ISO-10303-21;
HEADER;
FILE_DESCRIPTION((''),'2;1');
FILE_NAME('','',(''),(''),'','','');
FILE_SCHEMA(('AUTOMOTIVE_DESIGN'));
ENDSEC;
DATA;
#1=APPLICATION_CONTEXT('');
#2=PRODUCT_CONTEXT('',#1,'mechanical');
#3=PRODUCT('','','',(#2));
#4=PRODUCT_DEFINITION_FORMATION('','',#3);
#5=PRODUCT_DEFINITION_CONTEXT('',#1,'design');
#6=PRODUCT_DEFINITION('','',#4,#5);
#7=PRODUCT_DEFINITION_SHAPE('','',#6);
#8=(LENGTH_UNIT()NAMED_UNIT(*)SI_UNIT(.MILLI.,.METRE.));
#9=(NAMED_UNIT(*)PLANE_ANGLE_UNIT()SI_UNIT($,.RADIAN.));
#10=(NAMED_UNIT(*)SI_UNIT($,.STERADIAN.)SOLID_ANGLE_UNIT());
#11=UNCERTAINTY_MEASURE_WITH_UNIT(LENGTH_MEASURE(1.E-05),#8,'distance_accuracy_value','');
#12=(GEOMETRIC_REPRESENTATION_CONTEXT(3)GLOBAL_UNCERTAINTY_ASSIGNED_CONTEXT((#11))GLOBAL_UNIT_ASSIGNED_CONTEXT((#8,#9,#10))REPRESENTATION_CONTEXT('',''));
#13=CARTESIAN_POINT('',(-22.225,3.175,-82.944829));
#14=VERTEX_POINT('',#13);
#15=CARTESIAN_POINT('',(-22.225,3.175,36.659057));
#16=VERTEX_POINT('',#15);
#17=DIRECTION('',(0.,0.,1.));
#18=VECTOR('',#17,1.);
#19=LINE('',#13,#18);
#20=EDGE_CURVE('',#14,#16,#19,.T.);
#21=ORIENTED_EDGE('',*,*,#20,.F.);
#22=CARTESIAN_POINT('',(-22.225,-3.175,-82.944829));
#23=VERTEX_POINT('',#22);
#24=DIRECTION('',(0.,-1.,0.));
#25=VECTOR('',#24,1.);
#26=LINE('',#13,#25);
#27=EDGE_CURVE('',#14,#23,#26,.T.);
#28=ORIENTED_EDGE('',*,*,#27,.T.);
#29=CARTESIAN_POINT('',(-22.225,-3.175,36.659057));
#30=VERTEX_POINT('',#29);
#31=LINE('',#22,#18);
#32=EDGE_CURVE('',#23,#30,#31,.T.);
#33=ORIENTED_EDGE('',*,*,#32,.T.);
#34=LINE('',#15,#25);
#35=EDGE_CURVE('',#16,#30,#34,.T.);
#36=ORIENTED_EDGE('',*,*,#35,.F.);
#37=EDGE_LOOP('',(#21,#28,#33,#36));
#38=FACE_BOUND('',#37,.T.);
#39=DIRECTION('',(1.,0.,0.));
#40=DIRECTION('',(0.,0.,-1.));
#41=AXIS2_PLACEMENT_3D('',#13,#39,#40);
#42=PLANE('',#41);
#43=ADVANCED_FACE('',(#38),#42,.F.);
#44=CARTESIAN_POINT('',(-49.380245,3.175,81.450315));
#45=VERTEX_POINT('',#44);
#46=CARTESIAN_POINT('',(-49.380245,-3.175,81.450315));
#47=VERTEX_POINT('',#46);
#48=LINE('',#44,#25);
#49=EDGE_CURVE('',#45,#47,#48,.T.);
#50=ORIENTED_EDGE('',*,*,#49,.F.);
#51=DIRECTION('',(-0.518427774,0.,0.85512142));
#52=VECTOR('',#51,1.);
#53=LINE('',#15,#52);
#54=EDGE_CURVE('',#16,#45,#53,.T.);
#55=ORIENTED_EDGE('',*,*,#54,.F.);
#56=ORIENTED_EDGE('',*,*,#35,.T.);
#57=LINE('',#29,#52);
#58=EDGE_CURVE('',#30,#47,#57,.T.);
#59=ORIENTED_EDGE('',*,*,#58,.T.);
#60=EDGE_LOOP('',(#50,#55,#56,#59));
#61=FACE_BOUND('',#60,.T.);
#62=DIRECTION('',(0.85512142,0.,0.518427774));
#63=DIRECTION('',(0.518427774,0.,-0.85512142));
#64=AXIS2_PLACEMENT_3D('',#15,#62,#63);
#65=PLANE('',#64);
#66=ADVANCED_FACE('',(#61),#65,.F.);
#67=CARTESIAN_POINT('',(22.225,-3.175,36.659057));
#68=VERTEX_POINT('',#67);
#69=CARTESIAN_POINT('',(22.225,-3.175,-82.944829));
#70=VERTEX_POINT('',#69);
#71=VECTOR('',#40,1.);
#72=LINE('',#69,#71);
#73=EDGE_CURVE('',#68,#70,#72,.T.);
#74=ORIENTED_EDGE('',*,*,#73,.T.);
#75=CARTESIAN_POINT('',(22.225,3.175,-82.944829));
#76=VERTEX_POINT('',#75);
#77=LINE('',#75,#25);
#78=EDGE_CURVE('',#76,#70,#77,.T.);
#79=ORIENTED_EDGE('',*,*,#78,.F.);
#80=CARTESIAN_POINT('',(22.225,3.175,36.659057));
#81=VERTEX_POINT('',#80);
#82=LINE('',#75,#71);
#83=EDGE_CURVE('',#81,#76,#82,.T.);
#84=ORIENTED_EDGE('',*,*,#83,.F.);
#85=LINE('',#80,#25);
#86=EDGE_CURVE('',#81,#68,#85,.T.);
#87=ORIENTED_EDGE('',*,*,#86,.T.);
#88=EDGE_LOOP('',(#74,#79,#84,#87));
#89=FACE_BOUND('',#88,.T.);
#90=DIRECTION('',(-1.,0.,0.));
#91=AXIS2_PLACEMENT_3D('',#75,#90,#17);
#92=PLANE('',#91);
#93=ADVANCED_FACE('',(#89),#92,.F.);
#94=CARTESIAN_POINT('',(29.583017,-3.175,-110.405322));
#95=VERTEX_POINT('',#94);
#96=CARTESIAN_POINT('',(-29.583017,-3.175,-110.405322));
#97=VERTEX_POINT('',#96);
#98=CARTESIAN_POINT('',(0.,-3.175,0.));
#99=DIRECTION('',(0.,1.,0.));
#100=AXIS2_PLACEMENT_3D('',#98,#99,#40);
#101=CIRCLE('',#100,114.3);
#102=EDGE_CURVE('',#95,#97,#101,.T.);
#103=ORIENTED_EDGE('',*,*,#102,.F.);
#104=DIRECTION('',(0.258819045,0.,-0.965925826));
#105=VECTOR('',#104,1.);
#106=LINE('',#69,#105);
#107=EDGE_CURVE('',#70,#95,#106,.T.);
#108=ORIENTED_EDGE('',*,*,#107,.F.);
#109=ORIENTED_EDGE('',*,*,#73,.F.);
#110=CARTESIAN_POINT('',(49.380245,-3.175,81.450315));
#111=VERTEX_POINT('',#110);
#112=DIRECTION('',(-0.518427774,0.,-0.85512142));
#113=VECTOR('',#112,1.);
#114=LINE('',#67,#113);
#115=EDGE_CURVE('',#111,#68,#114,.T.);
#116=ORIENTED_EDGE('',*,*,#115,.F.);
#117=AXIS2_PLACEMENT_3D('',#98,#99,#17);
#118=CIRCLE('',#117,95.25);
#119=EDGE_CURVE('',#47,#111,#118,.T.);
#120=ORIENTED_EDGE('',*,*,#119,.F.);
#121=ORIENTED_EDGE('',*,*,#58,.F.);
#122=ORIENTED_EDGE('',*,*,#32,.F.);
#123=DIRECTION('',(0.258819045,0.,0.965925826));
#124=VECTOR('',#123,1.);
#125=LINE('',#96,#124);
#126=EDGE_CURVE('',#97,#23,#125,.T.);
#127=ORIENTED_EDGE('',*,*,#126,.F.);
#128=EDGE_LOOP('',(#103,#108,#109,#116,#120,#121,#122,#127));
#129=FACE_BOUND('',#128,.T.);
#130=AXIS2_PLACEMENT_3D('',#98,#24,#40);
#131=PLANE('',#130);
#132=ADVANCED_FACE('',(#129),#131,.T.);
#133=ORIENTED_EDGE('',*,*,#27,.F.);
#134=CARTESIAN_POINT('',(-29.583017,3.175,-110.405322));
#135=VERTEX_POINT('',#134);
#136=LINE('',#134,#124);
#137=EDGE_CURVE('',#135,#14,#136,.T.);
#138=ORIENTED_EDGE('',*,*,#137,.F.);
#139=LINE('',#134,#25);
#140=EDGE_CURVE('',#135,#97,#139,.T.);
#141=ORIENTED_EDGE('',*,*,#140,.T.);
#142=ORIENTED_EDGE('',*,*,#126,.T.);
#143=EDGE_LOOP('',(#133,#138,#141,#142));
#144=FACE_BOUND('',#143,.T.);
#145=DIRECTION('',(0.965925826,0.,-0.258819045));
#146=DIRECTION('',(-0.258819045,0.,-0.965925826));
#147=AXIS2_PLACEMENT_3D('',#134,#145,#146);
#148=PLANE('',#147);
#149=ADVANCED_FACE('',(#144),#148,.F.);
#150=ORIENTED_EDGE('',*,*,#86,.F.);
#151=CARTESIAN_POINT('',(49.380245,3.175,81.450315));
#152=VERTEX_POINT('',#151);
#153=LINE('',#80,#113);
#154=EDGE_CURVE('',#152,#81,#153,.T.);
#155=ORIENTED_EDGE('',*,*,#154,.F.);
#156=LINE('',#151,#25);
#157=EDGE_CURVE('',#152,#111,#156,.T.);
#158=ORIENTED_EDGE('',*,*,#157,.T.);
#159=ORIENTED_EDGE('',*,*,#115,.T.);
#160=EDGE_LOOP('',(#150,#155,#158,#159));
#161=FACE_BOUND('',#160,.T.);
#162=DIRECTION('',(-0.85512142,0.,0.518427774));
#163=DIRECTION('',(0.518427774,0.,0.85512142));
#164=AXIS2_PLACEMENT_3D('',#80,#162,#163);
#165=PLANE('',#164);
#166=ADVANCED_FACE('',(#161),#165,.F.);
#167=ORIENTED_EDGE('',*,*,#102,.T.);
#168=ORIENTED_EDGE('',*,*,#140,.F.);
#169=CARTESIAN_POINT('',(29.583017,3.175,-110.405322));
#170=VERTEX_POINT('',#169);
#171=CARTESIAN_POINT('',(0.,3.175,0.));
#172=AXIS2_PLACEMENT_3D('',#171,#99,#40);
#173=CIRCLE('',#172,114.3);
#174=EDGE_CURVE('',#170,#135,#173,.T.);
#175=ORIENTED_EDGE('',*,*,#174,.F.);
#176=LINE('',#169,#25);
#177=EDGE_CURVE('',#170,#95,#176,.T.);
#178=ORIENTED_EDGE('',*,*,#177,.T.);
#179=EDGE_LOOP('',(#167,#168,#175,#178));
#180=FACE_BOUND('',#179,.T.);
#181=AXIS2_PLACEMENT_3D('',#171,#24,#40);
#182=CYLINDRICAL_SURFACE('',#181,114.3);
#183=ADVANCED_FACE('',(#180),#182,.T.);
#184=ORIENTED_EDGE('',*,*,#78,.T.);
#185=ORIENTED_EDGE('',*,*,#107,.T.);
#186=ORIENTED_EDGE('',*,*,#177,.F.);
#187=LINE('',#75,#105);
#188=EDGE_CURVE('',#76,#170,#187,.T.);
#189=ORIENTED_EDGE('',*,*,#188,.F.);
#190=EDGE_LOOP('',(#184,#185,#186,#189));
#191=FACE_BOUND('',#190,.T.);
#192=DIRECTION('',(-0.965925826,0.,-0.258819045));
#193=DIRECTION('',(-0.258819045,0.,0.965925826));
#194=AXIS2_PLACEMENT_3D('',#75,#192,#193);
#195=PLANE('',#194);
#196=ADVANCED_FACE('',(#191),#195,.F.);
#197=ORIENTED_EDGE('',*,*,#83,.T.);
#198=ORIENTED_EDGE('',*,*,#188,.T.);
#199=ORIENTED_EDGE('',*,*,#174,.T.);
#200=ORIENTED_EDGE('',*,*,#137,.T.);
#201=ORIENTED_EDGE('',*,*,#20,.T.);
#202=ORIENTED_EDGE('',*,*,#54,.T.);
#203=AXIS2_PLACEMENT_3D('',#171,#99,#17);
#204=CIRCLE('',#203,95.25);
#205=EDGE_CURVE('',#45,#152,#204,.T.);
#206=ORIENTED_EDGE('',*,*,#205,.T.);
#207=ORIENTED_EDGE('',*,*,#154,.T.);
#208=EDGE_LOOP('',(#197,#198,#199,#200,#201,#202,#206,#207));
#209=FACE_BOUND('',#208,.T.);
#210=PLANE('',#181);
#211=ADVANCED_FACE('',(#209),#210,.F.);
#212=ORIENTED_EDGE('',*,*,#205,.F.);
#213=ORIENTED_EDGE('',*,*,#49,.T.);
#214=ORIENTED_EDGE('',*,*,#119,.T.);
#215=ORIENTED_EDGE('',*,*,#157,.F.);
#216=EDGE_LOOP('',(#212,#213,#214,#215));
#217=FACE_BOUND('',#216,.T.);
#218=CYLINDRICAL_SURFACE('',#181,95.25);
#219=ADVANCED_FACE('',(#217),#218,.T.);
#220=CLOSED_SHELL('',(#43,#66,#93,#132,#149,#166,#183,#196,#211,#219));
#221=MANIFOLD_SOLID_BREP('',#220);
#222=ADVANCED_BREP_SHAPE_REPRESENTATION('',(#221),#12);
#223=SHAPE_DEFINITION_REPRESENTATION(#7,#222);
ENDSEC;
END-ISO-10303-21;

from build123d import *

# Parameters (mm, degrees)
BOSS_EXTRUDE1_DEPTH = 3.175


with BuildPart() as part:
    # Sketch1 → Boss-Extrude1 (new, symmetric)
    with BuildSketch(Plane(origin=(0, 0, 0), x_dir=(1, 0, 0), z_dir=(0, 1, 0))):
        with BuildLine():
            Line((-22.225, 82.944829198), (-22.225, -36.659057496))
            Line((-22.225, -36.659057496), (-49.38024545, -81.450315281))
            ThreePointArc((-49.38024545, -81.450315281), (0, -95.25), (49.38024545, -81.450315281))
            Line((49.38024545, -81.450315281), (22.225, -36.659057496))
            Line((22.225, -36.659057496), (22.225, 82.944829198))
            Line((22.225, 82.944829198), (29.583016855, 110.405321945))
            ThreePointArc((29.583016855, 110.405321945), (0, 114.3), (-29.583016855, 110.405321945))
            Line((-29.583016855, 110.405321945), (-22.225, 82.944829198))
        make_face()
    extrude(amount=BOSS_EXTRUDE1_DEPTH, both=True)


solid = part.part
